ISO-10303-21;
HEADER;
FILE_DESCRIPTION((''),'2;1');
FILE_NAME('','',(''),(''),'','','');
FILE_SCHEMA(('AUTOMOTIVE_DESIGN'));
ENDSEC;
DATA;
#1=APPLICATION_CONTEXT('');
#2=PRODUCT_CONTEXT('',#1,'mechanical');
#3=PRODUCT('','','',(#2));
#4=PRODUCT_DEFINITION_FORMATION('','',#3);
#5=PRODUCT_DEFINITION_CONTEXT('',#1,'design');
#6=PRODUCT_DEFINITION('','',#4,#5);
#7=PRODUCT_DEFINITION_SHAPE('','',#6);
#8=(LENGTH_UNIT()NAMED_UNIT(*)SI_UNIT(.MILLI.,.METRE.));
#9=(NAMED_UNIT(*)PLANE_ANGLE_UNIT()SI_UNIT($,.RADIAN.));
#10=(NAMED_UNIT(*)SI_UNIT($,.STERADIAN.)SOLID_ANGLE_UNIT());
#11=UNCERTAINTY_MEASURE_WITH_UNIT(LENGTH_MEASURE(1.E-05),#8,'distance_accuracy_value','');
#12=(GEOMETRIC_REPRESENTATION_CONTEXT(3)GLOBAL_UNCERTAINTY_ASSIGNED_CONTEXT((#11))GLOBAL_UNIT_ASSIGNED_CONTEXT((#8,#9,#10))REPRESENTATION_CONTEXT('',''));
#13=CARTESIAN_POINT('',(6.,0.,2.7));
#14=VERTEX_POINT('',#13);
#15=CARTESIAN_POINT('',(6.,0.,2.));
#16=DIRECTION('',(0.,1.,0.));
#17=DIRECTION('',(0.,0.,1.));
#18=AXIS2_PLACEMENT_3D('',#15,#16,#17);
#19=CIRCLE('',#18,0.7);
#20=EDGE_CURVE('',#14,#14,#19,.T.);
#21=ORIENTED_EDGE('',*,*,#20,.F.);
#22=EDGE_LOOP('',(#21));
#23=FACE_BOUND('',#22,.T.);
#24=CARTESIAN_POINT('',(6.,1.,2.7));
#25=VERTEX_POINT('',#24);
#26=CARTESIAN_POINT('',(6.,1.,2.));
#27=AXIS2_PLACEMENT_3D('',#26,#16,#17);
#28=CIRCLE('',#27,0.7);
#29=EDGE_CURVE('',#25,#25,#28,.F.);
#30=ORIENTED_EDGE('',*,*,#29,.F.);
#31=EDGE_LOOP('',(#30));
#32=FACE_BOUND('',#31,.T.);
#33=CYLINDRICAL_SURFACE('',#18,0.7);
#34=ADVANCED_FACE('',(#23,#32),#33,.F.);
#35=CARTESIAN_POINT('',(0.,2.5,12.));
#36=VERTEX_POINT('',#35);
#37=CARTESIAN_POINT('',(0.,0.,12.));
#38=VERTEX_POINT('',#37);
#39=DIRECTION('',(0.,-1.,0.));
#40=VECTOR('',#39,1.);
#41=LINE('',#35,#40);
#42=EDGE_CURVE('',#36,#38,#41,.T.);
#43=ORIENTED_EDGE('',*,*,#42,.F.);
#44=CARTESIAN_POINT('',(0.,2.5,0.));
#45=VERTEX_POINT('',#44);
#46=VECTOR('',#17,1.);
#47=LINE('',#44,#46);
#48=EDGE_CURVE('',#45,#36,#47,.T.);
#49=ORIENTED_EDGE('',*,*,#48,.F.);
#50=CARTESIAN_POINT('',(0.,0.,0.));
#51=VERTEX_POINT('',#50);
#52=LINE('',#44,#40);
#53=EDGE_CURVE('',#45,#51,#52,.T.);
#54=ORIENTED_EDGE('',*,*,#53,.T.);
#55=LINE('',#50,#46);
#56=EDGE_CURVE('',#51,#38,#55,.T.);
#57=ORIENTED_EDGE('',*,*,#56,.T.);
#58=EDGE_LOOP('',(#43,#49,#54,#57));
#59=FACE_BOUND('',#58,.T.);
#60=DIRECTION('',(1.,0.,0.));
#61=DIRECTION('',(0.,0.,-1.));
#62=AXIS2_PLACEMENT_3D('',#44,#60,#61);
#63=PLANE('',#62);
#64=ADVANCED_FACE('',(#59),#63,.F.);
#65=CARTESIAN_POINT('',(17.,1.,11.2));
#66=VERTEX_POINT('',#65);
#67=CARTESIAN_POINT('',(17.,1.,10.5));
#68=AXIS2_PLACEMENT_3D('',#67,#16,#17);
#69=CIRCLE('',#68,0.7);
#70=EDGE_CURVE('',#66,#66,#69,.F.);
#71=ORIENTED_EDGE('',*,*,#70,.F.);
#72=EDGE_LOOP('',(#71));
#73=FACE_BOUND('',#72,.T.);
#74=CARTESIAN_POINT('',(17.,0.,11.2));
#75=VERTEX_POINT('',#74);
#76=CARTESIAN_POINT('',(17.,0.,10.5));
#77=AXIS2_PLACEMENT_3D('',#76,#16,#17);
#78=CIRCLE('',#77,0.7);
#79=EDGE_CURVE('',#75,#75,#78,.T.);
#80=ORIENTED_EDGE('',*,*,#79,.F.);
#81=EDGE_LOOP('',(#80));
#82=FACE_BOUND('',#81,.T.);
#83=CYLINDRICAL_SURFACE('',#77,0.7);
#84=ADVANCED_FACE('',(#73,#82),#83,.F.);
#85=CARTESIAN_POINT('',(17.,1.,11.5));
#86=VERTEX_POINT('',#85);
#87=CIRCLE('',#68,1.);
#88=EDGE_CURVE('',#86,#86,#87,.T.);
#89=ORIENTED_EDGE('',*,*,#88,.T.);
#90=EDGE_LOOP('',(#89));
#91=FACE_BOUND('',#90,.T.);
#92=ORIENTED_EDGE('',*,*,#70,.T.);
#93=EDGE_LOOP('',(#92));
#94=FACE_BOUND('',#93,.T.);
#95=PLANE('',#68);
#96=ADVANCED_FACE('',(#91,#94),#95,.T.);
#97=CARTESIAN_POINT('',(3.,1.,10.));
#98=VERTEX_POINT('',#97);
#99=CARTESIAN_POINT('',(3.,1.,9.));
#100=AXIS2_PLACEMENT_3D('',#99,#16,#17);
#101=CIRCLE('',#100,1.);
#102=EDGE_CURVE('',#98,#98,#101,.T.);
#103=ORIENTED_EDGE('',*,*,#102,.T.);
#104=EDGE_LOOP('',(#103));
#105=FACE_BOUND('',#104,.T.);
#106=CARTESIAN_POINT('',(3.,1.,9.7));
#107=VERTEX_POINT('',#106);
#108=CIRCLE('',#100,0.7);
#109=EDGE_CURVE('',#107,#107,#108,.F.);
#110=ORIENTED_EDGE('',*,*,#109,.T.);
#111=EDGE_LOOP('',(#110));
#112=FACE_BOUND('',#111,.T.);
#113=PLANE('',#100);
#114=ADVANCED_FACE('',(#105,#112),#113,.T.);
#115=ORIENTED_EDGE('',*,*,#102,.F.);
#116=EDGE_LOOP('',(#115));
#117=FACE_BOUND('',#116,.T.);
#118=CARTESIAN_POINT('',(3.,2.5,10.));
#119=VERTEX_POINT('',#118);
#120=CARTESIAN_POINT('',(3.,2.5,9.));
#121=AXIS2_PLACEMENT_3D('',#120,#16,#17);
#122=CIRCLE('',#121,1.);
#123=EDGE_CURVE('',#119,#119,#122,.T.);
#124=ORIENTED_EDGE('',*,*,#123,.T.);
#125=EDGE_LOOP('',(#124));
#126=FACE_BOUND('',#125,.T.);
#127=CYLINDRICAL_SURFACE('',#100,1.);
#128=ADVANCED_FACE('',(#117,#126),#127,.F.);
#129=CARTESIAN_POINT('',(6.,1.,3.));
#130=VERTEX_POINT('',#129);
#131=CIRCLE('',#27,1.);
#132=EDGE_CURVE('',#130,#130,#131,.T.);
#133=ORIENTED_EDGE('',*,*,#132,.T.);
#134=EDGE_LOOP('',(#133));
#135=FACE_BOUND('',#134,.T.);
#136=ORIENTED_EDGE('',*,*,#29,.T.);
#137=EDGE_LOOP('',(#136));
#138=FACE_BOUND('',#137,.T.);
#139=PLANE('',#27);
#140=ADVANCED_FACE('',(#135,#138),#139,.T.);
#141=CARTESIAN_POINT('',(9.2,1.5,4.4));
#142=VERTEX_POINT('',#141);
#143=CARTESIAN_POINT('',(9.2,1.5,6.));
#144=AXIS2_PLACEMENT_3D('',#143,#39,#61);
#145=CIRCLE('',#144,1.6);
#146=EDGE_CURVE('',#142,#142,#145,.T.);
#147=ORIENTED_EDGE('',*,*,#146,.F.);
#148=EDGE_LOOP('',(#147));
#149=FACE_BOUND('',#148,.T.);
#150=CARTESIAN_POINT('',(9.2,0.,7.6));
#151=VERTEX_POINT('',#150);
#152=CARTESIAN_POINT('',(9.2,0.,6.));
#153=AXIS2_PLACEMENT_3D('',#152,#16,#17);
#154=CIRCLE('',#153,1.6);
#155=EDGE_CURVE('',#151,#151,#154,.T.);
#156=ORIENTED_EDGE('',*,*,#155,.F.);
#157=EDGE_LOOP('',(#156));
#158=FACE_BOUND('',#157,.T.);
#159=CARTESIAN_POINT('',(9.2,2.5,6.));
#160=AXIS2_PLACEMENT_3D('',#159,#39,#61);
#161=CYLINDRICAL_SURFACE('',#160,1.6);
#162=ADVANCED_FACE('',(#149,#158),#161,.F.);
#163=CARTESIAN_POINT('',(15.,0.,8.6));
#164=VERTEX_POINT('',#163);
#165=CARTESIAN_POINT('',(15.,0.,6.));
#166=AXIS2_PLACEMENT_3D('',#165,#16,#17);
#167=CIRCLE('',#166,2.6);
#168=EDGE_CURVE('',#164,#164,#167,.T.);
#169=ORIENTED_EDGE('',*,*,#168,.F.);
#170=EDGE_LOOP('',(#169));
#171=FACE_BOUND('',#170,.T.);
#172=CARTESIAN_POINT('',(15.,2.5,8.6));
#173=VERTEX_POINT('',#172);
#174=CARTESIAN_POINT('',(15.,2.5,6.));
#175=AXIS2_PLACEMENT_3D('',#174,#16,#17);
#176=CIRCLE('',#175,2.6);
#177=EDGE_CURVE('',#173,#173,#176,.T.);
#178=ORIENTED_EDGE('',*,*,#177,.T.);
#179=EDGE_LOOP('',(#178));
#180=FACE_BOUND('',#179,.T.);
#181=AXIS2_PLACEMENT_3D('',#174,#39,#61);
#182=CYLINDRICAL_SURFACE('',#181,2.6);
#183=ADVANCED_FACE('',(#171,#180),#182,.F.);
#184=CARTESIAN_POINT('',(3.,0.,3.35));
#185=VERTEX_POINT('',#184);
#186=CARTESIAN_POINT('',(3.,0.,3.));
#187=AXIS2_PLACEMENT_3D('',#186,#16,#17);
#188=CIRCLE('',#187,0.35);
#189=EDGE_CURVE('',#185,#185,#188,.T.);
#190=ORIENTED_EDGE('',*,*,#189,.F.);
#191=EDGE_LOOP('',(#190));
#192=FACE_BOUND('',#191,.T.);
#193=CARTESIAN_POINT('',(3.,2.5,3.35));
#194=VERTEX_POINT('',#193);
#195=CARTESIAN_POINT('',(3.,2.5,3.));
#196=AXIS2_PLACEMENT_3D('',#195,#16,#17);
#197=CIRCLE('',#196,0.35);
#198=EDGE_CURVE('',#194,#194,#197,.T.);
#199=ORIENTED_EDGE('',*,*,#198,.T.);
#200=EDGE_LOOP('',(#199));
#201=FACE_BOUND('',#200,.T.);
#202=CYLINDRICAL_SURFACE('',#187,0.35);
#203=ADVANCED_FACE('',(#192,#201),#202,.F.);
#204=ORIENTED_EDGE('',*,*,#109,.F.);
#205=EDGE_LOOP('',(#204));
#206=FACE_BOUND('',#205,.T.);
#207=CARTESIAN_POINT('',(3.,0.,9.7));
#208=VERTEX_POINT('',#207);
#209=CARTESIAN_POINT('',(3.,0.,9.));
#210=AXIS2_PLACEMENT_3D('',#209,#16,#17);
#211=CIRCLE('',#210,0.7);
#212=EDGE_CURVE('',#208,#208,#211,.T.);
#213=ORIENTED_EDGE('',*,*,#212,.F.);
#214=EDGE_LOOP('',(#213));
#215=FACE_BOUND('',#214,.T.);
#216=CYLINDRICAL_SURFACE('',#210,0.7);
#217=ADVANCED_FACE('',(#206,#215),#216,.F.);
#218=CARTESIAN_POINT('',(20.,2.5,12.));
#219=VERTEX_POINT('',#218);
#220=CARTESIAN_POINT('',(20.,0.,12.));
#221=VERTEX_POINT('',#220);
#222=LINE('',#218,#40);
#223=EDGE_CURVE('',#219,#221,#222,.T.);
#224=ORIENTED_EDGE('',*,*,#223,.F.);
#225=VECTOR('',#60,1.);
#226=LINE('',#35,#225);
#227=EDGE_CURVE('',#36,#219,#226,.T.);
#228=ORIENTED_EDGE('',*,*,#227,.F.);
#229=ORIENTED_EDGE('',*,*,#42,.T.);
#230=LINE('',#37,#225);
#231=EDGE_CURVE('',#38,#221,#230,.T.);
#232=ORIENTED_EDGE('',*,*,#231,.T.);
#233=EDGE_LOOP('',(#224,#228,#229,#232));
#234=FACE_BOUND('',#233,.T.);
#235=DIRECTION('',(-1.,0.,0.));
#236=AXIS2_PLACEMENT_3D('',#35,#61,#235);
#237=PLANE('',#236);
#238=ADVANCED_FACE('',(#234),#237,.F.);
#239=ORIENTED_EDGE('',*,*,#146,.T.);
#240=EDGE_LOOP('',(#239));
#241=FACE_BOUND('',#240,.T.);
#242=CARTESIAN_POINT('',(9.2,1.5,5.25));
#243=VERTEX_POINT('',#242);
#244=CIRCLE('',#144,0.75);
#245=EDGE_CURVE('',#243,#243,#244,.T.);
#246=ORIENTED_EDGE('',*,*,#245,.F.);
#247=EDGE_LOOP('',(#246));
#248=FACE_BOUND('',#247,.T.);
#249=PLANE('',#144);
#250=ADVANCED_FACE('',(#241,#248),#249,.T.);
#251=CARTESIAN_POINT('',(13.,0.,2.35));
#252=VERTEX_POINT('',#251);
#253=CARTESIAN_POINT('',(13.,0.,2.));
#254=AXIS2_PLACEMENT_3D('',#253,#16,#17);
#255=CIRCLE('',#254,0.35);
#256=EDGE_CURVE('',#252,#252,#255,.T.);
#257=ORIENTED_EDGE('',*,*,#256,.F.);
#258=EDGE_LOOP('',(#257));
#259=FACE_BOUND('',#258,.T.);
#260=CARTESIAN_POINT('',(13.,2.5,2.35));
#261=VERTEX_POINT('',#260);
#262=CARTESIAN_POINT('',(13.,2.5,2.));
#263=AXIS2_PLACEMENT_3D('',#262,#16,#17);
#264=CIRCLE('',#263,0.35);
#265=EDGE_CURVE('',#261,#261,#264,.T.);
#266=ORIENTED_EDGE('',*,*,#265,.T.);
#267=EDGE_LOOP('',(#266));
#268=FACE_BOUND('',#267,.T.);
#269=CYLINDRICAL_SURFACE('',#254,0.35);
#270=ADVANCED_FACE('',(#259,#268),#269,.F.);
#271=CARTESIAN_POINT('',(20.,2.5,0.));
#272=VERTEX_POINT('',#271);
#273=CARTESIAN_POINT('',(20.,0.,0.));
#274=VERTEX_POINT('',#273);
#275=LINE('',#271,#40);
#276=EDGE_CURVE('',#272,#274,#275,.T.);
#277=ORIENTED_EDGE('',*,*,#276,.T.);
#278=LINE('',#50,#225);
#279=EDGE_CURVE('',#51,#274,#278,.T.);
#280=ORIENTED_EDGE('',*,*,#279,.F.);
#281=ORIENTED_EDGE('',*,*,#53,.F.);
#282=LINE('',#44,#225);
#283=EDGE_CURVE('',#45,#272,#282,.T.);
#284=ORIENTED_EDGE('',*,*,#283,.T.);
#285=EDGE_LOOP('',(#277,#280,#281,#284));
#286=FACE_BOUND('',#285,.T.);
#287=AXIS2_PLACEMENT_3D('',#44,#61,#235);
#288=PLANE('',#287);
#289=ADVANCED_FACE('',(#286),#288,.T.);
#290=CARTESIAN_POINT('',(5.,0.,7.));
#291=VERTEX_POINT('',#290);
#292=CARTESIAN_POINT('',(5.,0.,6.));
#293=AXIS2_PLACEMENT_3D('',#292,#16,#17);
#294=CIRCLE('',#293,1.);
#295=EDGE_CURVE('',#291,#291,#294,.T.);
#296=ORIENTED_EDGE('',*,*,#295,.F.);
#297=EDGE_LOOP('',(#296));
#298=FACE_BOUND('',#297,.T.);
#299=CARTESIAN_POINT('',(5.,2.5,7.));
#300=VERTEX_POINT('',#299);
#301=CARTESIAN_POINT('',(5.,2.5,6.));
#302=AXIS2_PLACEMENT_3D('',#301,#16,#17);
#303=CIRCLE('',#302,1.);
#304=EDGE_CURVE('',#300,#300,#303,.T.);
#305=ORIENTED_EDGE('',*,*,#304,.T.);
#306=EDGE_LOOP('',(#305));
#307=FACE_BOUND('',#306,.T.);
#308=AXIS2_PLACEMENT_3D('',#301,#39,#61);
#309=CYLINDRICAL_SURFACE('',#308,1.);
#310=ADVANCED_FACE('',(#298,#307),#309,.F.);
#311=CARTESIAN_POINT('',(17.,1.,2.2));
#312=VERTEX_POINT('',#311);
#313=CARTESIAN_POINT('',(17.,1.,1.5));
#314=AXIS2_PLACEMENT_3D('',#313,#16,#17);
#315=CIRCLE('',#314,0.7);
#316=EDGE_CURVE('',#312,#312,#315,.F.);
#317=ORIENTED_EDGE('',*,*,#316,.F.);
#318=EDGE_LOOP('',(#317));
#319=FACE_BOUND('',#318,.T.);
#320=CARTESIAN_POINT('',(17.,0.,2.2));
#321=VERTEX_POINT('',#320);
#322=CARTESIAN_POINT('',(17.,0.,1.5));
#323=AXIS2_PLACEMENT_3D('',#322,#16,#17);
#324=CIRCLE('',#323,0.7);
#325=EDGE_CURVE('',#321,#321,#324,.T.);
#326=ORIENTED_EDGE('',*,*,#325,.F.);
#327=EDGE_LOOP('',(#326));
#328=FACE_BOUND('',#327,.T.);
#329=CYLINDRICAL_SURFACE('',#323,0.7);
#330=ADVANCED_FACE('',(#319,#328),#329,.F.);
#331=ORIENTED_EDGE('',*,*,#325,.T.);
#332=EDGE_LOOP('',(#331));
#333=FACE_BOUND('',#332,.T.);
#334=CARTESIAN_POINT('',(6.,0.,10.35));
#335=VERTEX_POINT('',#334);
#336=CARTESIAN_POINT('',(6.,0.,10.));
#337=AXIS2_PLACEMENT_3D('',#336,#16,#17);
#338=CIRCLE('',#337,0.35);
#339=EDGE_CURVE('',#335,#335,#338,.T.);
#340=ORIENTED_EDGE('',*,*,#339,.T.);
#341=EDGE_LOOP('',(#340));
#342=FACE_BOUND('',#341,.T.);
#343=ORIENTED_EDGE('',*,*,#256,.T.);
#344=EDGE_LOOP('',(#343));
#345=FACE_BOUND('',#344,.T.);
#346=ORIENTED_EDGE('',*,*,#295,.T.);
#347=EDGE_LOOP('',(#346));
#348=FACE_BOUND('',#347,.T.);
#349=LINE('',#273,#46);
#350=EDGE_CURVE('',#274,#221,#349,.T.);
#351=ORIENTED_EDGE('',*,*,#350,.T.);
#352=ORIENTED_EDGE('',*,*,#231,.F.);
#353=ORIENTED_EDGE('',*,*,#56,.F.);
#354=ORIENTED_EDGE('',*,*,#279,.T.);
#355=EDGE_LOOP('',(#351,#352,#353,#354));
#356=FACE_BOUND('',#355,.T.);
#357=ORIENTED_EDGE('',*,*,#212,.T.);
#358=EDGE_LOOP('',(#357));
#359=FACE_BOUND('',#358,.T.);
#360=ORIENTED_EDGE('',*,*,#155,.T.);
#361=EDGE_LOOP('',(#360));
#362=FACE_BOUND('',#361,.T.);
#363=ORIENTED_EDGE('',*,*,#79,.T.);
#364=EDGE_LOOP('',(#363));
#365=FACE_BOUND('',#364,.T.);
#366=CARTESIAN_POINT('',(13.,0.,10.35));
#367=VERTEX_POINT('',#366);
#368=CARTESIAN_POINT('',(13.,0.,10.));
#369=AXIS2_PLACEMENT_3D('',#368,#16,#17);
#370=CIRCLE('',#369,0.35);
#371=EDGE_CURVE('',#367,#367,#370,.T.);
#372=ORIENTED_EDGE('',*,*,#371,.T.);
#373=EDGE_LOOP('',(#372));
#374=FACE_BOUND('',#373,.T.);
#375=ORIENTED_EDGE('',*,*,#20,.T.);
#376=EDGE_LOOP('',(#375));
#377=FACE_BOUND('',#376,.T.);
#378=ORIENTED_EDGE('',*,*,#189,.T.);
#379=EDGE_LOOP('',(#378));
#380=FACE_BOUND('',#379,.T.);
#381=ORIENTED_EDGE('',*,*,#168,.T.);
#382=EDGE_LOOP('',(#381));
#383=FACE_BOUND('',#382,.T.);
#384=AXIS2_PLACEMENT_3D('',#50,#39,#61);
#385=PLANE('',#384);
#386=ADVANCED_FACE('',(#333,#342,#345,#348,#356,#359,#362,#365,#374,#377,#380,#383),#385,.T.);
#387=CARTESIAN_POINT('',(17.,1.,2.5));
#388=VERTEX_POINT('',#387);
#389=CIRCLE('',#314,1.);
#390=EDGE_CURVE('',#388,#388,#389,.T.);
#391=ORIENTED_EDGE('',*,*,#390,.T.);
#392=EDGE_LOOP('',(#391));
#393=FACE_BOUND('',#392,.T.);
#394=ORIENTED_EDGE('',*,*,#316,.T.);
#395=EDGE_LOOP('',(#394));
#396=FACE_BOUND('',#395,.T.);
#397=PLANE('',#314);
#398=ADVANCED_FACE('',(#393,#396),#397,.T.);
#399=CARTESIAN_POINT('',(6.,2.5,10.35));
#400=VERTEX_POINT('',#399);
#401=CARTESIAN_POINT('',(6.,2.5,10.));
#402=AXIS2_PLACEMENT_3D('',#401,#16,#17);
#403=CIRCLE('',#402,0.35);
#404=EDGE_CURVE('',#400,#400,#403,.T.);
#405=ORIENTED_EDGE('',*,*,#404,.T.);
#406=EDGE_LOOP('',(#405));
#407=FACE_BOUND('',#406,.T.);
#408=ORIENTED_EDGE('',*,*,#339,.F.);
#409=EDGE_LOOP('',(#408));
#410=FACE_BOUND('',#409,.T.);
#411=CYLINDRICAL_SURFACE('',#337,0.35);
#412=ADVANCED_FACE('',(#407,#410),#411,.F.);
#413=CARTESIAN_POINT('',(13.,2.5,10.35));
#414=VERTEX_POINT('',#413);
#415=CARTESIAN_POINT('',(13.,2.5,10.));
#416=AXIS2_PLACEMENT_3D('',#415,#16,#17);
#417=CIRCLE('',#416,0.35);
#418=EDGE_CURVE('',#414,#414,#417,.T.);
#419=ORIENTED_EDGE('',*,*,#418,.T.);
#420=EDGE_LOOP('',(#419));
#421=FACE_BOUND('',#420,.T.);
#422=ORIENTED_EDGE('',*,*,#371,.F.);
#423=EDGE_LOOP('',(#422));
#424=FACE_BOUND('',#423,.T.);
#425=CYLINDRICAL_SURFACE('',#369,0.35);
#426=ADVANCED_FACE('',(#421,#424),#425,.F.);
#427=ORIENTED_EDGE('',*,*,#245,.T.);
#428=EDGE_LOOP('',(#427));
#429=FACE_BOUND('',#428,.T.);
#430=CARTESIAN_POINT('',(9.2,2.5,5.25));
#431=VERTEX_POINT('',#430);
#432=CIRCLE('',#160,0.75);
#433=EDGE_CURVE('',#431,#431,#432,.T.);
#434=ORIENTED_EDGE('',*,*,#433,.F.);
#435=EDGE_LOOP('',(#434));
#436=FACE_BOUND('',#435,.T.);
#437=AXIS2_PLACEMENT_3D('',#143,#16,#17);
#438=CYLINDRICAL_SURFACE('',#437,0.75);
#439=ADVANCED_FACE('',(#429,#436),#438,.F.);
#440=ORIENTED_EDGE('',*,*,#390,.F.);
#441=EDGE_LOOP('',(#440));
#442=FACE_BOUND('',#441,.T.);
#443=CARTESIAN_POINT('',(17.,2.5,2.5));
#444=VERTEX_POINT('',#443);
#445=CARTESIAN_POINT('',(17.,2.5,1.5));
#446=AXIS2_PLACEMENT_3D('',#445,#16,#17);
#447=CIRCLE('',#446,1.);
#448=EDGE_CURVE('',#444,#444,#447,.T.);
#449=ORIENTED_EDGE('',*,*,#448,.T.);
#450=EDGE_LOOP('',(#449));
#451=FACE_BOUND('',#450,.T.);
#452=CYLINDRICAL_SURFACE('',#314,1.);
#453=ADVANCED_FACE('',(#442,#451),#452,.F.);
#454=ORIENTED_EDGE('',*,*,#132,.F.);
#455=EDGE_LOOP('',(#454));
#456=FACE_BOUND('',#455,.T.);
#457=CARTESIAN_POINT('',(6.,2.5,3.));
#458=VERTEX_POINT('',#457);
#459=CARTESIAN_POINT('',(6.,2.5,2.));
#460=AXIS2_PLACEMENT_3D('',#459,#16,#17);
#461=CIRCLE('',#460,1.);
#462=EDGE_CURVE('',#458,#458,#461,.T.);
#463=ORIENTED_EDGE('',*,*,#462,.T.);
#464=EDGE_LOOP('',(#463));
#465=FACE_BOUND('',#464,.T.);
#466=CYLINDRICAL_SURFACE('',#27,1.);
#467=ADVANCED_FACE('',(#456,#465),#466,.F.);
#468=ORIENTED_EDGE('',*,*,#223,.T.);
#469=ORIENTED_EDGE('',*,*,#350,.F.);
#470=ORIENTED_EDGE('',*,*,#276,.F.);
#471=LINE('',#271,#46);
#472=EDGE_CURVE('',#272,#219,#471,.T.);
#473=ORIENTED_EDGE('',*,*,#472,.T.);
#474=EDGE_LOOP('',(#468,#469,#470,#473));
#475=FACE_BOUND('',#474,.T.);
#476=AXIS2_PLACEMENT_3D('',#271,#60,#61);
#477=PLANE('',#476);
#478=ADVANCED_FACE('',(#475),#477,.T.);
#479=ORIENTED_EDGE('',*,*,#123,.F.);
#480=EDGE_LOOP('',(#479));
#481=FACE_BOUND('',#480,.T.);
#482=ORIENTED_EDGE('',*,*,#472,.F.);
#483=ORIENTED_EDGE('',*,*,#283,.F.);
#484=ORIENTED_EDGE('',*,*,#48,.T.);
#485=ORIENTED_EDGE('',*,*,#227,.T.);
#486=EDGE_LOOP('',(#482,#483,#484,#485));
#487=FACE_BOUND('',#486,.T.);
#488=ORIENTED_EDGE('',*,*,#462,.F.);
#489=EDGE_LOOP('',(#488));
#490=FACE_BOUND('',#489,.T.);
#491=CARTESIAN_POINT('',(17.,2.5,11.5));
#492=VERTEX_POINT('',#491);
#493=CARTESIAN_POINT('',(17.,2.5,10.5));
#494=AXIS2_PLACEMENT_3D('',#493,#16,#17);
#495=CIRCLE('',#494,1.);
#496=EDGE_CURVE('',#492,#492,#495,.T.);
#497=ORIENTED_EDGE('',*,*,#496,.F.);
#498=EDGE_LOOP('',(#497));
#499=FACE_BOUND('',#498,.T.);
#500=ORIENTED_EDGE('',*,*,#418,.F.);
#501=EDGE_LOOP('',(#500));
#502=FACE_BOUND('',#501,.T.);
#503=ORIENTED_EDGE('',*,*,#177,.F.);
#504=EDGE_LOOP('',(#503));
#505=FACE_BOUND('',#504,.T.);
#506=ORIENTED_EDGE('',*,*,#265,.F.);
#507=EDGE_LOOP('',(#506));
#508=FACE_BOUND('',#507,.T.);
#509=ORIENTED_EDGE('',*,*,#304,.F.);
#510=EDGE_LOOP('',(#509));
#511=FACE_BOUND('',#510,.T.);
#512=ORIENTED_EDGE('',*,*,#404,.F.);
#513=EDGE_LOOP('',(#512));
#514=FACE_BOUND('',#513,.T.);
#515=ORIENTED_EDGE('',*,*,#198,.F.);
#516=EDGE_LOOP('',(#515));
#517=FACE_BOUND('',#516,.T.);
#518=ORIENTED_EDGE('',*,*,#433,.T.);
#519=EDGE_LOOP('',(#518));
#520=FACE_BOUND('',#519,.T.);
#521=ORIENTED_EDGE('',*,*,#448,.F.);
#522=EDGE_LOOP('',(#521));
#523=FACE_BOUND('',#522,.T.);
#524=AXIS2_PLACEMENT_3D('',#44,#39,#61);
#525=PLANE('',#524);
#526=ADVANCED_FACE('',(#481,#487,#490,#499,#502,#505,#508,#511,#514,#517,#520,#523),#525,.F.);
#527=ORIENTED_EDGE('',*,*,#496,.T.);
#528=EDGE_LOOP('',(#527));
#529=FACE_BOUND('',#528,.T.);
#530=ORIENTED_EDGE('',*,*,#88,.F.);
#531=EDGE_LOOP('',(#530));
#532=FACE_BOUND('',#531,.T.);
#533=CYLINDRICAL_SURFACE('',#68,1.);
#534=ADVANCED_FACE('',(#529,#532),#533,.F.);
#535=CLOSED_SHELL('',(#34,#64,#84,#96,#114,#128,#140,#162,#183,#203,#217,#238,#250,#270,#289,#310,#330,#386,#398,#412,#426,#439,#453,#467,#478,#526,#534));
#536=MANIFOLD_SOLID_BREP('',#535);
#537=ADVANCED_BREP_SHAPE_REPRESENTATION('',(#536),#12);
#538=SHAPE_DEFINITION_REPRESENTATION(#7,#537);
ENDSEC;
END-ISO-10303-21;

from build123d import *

# Parameters (mm, degrees)
SKETCH_1_W          = 20
SKETCH_1_H          = 12
SKETCH_1_R          = 1.6
SKETCH_1_R_2        = 2.6
SKETCH_1_R_3        = 1
EXTRUDE_1_DEPTH     = 2.5
EXTRUDE_START       = 1.5
SKETCH_1_5_R        = 1.6
SKETCH_1_5_R_2      = 0.75
EXTRUDE_2_DEPTH     = 1
SKETCH_3_R          = 0.7
SKETCH_3_R_2        = 0.35
CUT_EXTRUDE_1_DEPTH = 24.457408211
SKETCH_3_3_R        = 1
CUT_EXTRUDE_2_DEPTH = 1.5


with BuildPart() as part:
    # 草图1 → 凸台-拉伸1 (new body)
    with BuildSketch(Plane(origin=(0, 0, 0), x_dir=(1, 0, 0), z_dir=(0, 1, 0))):
        with Locations((10, -6)):
            Rectangle(SKETCH_1_W, SKETCH_1_H)
        with Locations(Location((9.2, -6, 0), (0, 0, 270))):
            Circle(SKETCH_1_R, mode=Mode.SUBTRACT)
        with Locations(Location((15, -6, 0), (0, 0, 270))):
            Circle(SKETCH_1_R_2, mode=Mode.SUBTRACT)
        with Locations(Location((5, -6, 0), (0, 0, 270))):
            Circle(SKETCH_1_R_3, mode=Mode.SUBTRACT)
    extrude(amount=EXTRUDE_1_DEPTH)

    # 草图1<5> → 凸台-拉伸2 (add)
    with BuildSketch(Plane(origin=(0, 0, 0), x_dir=(1, 0, 0), z_dir=(0, 1, 0)).offset(EXTRUDE_START)):
        with Locations(Location((9.2, -6, 0), (0, 0, 90))):
            Circle(SKETCH_1_5_R)
        with Locations(Location((9.2, -6, 0), (0, 0, 90))):
            Circle(SKETCH_1_5_R_2, mode=Mode.SUBTRACT)
    extrude(amount=EXTRUDE_2_DEPTH)

    # 草图3 → 切除-拉伸1 (cut, through all)
    with BuildSketch(Plane(origin=(0, 2.5, 0), x_dir=(1, 0, 0), z_dir=(0, 1, 0))):
        with Locations(Location((3, -9, 0), (0, 0, 270))):
            Circle(SKETCH_3_R)
        with Locations(Location((6, -2, 0), (0, 0, 270))):
            Circle(SKETCH_3_R)
        with Locations(Location((17, -1.5, 0), (0, 0, 270))):
            Circle(SKETCH_3_R)
        with Locations(Location((17, -10.5, 0), (0, 0, 270))):
            Circle(SKETCH_3_R)
        with Locations(Location((3, -3, 0), (0, 0, 270))):
            Circle(SKETCH_3_R_2)
        with Locations(Location((6, -10, 0), (0, 0, 270))):
            Circle(SKETCH_3_R_2)
        with Locations(Location((13, -10, 0), (0, 0, 270))):
            Circle(SKETCH_3_R_2)
        with Locations(Location((13, -2, 0), (0, 0, 270))):
            Circle(SKETCH_3_R_2)
    extrude(amount=-CUT_EXTRUDE_1_DEPTH, mode=Mode.SUBTRACT)

    # 草图3<3> → 切除-拉伸2 (cut)
    with BuildSketch(Plane(origin=(0, 2.5, 0), x_dir=(1, 0, 0), z_dir=(0, 1, 0))):
        with Locations(Location((6, -2, 0), (0, 0, 270))):
            Circle(SKETCH_3_3_R)
        with Locations(Location((3, -9, 0), (0, 0, 270))):
            Circle(SKETCH_3_3_R)
        with Locations(Location((17, -1.5, 0), (0, 0, 270))):
            Circle(SKETCH_3_3_R)
        with Locations(Location((17, -10.5, 0), (0, 0, 270))):
            Circle(SKETCH_3_3_R)
    extrude(amount=-CUT_EXTRUDE_2_DEPTH, mode=Mode.SUBTRACT)


solid = part.part
